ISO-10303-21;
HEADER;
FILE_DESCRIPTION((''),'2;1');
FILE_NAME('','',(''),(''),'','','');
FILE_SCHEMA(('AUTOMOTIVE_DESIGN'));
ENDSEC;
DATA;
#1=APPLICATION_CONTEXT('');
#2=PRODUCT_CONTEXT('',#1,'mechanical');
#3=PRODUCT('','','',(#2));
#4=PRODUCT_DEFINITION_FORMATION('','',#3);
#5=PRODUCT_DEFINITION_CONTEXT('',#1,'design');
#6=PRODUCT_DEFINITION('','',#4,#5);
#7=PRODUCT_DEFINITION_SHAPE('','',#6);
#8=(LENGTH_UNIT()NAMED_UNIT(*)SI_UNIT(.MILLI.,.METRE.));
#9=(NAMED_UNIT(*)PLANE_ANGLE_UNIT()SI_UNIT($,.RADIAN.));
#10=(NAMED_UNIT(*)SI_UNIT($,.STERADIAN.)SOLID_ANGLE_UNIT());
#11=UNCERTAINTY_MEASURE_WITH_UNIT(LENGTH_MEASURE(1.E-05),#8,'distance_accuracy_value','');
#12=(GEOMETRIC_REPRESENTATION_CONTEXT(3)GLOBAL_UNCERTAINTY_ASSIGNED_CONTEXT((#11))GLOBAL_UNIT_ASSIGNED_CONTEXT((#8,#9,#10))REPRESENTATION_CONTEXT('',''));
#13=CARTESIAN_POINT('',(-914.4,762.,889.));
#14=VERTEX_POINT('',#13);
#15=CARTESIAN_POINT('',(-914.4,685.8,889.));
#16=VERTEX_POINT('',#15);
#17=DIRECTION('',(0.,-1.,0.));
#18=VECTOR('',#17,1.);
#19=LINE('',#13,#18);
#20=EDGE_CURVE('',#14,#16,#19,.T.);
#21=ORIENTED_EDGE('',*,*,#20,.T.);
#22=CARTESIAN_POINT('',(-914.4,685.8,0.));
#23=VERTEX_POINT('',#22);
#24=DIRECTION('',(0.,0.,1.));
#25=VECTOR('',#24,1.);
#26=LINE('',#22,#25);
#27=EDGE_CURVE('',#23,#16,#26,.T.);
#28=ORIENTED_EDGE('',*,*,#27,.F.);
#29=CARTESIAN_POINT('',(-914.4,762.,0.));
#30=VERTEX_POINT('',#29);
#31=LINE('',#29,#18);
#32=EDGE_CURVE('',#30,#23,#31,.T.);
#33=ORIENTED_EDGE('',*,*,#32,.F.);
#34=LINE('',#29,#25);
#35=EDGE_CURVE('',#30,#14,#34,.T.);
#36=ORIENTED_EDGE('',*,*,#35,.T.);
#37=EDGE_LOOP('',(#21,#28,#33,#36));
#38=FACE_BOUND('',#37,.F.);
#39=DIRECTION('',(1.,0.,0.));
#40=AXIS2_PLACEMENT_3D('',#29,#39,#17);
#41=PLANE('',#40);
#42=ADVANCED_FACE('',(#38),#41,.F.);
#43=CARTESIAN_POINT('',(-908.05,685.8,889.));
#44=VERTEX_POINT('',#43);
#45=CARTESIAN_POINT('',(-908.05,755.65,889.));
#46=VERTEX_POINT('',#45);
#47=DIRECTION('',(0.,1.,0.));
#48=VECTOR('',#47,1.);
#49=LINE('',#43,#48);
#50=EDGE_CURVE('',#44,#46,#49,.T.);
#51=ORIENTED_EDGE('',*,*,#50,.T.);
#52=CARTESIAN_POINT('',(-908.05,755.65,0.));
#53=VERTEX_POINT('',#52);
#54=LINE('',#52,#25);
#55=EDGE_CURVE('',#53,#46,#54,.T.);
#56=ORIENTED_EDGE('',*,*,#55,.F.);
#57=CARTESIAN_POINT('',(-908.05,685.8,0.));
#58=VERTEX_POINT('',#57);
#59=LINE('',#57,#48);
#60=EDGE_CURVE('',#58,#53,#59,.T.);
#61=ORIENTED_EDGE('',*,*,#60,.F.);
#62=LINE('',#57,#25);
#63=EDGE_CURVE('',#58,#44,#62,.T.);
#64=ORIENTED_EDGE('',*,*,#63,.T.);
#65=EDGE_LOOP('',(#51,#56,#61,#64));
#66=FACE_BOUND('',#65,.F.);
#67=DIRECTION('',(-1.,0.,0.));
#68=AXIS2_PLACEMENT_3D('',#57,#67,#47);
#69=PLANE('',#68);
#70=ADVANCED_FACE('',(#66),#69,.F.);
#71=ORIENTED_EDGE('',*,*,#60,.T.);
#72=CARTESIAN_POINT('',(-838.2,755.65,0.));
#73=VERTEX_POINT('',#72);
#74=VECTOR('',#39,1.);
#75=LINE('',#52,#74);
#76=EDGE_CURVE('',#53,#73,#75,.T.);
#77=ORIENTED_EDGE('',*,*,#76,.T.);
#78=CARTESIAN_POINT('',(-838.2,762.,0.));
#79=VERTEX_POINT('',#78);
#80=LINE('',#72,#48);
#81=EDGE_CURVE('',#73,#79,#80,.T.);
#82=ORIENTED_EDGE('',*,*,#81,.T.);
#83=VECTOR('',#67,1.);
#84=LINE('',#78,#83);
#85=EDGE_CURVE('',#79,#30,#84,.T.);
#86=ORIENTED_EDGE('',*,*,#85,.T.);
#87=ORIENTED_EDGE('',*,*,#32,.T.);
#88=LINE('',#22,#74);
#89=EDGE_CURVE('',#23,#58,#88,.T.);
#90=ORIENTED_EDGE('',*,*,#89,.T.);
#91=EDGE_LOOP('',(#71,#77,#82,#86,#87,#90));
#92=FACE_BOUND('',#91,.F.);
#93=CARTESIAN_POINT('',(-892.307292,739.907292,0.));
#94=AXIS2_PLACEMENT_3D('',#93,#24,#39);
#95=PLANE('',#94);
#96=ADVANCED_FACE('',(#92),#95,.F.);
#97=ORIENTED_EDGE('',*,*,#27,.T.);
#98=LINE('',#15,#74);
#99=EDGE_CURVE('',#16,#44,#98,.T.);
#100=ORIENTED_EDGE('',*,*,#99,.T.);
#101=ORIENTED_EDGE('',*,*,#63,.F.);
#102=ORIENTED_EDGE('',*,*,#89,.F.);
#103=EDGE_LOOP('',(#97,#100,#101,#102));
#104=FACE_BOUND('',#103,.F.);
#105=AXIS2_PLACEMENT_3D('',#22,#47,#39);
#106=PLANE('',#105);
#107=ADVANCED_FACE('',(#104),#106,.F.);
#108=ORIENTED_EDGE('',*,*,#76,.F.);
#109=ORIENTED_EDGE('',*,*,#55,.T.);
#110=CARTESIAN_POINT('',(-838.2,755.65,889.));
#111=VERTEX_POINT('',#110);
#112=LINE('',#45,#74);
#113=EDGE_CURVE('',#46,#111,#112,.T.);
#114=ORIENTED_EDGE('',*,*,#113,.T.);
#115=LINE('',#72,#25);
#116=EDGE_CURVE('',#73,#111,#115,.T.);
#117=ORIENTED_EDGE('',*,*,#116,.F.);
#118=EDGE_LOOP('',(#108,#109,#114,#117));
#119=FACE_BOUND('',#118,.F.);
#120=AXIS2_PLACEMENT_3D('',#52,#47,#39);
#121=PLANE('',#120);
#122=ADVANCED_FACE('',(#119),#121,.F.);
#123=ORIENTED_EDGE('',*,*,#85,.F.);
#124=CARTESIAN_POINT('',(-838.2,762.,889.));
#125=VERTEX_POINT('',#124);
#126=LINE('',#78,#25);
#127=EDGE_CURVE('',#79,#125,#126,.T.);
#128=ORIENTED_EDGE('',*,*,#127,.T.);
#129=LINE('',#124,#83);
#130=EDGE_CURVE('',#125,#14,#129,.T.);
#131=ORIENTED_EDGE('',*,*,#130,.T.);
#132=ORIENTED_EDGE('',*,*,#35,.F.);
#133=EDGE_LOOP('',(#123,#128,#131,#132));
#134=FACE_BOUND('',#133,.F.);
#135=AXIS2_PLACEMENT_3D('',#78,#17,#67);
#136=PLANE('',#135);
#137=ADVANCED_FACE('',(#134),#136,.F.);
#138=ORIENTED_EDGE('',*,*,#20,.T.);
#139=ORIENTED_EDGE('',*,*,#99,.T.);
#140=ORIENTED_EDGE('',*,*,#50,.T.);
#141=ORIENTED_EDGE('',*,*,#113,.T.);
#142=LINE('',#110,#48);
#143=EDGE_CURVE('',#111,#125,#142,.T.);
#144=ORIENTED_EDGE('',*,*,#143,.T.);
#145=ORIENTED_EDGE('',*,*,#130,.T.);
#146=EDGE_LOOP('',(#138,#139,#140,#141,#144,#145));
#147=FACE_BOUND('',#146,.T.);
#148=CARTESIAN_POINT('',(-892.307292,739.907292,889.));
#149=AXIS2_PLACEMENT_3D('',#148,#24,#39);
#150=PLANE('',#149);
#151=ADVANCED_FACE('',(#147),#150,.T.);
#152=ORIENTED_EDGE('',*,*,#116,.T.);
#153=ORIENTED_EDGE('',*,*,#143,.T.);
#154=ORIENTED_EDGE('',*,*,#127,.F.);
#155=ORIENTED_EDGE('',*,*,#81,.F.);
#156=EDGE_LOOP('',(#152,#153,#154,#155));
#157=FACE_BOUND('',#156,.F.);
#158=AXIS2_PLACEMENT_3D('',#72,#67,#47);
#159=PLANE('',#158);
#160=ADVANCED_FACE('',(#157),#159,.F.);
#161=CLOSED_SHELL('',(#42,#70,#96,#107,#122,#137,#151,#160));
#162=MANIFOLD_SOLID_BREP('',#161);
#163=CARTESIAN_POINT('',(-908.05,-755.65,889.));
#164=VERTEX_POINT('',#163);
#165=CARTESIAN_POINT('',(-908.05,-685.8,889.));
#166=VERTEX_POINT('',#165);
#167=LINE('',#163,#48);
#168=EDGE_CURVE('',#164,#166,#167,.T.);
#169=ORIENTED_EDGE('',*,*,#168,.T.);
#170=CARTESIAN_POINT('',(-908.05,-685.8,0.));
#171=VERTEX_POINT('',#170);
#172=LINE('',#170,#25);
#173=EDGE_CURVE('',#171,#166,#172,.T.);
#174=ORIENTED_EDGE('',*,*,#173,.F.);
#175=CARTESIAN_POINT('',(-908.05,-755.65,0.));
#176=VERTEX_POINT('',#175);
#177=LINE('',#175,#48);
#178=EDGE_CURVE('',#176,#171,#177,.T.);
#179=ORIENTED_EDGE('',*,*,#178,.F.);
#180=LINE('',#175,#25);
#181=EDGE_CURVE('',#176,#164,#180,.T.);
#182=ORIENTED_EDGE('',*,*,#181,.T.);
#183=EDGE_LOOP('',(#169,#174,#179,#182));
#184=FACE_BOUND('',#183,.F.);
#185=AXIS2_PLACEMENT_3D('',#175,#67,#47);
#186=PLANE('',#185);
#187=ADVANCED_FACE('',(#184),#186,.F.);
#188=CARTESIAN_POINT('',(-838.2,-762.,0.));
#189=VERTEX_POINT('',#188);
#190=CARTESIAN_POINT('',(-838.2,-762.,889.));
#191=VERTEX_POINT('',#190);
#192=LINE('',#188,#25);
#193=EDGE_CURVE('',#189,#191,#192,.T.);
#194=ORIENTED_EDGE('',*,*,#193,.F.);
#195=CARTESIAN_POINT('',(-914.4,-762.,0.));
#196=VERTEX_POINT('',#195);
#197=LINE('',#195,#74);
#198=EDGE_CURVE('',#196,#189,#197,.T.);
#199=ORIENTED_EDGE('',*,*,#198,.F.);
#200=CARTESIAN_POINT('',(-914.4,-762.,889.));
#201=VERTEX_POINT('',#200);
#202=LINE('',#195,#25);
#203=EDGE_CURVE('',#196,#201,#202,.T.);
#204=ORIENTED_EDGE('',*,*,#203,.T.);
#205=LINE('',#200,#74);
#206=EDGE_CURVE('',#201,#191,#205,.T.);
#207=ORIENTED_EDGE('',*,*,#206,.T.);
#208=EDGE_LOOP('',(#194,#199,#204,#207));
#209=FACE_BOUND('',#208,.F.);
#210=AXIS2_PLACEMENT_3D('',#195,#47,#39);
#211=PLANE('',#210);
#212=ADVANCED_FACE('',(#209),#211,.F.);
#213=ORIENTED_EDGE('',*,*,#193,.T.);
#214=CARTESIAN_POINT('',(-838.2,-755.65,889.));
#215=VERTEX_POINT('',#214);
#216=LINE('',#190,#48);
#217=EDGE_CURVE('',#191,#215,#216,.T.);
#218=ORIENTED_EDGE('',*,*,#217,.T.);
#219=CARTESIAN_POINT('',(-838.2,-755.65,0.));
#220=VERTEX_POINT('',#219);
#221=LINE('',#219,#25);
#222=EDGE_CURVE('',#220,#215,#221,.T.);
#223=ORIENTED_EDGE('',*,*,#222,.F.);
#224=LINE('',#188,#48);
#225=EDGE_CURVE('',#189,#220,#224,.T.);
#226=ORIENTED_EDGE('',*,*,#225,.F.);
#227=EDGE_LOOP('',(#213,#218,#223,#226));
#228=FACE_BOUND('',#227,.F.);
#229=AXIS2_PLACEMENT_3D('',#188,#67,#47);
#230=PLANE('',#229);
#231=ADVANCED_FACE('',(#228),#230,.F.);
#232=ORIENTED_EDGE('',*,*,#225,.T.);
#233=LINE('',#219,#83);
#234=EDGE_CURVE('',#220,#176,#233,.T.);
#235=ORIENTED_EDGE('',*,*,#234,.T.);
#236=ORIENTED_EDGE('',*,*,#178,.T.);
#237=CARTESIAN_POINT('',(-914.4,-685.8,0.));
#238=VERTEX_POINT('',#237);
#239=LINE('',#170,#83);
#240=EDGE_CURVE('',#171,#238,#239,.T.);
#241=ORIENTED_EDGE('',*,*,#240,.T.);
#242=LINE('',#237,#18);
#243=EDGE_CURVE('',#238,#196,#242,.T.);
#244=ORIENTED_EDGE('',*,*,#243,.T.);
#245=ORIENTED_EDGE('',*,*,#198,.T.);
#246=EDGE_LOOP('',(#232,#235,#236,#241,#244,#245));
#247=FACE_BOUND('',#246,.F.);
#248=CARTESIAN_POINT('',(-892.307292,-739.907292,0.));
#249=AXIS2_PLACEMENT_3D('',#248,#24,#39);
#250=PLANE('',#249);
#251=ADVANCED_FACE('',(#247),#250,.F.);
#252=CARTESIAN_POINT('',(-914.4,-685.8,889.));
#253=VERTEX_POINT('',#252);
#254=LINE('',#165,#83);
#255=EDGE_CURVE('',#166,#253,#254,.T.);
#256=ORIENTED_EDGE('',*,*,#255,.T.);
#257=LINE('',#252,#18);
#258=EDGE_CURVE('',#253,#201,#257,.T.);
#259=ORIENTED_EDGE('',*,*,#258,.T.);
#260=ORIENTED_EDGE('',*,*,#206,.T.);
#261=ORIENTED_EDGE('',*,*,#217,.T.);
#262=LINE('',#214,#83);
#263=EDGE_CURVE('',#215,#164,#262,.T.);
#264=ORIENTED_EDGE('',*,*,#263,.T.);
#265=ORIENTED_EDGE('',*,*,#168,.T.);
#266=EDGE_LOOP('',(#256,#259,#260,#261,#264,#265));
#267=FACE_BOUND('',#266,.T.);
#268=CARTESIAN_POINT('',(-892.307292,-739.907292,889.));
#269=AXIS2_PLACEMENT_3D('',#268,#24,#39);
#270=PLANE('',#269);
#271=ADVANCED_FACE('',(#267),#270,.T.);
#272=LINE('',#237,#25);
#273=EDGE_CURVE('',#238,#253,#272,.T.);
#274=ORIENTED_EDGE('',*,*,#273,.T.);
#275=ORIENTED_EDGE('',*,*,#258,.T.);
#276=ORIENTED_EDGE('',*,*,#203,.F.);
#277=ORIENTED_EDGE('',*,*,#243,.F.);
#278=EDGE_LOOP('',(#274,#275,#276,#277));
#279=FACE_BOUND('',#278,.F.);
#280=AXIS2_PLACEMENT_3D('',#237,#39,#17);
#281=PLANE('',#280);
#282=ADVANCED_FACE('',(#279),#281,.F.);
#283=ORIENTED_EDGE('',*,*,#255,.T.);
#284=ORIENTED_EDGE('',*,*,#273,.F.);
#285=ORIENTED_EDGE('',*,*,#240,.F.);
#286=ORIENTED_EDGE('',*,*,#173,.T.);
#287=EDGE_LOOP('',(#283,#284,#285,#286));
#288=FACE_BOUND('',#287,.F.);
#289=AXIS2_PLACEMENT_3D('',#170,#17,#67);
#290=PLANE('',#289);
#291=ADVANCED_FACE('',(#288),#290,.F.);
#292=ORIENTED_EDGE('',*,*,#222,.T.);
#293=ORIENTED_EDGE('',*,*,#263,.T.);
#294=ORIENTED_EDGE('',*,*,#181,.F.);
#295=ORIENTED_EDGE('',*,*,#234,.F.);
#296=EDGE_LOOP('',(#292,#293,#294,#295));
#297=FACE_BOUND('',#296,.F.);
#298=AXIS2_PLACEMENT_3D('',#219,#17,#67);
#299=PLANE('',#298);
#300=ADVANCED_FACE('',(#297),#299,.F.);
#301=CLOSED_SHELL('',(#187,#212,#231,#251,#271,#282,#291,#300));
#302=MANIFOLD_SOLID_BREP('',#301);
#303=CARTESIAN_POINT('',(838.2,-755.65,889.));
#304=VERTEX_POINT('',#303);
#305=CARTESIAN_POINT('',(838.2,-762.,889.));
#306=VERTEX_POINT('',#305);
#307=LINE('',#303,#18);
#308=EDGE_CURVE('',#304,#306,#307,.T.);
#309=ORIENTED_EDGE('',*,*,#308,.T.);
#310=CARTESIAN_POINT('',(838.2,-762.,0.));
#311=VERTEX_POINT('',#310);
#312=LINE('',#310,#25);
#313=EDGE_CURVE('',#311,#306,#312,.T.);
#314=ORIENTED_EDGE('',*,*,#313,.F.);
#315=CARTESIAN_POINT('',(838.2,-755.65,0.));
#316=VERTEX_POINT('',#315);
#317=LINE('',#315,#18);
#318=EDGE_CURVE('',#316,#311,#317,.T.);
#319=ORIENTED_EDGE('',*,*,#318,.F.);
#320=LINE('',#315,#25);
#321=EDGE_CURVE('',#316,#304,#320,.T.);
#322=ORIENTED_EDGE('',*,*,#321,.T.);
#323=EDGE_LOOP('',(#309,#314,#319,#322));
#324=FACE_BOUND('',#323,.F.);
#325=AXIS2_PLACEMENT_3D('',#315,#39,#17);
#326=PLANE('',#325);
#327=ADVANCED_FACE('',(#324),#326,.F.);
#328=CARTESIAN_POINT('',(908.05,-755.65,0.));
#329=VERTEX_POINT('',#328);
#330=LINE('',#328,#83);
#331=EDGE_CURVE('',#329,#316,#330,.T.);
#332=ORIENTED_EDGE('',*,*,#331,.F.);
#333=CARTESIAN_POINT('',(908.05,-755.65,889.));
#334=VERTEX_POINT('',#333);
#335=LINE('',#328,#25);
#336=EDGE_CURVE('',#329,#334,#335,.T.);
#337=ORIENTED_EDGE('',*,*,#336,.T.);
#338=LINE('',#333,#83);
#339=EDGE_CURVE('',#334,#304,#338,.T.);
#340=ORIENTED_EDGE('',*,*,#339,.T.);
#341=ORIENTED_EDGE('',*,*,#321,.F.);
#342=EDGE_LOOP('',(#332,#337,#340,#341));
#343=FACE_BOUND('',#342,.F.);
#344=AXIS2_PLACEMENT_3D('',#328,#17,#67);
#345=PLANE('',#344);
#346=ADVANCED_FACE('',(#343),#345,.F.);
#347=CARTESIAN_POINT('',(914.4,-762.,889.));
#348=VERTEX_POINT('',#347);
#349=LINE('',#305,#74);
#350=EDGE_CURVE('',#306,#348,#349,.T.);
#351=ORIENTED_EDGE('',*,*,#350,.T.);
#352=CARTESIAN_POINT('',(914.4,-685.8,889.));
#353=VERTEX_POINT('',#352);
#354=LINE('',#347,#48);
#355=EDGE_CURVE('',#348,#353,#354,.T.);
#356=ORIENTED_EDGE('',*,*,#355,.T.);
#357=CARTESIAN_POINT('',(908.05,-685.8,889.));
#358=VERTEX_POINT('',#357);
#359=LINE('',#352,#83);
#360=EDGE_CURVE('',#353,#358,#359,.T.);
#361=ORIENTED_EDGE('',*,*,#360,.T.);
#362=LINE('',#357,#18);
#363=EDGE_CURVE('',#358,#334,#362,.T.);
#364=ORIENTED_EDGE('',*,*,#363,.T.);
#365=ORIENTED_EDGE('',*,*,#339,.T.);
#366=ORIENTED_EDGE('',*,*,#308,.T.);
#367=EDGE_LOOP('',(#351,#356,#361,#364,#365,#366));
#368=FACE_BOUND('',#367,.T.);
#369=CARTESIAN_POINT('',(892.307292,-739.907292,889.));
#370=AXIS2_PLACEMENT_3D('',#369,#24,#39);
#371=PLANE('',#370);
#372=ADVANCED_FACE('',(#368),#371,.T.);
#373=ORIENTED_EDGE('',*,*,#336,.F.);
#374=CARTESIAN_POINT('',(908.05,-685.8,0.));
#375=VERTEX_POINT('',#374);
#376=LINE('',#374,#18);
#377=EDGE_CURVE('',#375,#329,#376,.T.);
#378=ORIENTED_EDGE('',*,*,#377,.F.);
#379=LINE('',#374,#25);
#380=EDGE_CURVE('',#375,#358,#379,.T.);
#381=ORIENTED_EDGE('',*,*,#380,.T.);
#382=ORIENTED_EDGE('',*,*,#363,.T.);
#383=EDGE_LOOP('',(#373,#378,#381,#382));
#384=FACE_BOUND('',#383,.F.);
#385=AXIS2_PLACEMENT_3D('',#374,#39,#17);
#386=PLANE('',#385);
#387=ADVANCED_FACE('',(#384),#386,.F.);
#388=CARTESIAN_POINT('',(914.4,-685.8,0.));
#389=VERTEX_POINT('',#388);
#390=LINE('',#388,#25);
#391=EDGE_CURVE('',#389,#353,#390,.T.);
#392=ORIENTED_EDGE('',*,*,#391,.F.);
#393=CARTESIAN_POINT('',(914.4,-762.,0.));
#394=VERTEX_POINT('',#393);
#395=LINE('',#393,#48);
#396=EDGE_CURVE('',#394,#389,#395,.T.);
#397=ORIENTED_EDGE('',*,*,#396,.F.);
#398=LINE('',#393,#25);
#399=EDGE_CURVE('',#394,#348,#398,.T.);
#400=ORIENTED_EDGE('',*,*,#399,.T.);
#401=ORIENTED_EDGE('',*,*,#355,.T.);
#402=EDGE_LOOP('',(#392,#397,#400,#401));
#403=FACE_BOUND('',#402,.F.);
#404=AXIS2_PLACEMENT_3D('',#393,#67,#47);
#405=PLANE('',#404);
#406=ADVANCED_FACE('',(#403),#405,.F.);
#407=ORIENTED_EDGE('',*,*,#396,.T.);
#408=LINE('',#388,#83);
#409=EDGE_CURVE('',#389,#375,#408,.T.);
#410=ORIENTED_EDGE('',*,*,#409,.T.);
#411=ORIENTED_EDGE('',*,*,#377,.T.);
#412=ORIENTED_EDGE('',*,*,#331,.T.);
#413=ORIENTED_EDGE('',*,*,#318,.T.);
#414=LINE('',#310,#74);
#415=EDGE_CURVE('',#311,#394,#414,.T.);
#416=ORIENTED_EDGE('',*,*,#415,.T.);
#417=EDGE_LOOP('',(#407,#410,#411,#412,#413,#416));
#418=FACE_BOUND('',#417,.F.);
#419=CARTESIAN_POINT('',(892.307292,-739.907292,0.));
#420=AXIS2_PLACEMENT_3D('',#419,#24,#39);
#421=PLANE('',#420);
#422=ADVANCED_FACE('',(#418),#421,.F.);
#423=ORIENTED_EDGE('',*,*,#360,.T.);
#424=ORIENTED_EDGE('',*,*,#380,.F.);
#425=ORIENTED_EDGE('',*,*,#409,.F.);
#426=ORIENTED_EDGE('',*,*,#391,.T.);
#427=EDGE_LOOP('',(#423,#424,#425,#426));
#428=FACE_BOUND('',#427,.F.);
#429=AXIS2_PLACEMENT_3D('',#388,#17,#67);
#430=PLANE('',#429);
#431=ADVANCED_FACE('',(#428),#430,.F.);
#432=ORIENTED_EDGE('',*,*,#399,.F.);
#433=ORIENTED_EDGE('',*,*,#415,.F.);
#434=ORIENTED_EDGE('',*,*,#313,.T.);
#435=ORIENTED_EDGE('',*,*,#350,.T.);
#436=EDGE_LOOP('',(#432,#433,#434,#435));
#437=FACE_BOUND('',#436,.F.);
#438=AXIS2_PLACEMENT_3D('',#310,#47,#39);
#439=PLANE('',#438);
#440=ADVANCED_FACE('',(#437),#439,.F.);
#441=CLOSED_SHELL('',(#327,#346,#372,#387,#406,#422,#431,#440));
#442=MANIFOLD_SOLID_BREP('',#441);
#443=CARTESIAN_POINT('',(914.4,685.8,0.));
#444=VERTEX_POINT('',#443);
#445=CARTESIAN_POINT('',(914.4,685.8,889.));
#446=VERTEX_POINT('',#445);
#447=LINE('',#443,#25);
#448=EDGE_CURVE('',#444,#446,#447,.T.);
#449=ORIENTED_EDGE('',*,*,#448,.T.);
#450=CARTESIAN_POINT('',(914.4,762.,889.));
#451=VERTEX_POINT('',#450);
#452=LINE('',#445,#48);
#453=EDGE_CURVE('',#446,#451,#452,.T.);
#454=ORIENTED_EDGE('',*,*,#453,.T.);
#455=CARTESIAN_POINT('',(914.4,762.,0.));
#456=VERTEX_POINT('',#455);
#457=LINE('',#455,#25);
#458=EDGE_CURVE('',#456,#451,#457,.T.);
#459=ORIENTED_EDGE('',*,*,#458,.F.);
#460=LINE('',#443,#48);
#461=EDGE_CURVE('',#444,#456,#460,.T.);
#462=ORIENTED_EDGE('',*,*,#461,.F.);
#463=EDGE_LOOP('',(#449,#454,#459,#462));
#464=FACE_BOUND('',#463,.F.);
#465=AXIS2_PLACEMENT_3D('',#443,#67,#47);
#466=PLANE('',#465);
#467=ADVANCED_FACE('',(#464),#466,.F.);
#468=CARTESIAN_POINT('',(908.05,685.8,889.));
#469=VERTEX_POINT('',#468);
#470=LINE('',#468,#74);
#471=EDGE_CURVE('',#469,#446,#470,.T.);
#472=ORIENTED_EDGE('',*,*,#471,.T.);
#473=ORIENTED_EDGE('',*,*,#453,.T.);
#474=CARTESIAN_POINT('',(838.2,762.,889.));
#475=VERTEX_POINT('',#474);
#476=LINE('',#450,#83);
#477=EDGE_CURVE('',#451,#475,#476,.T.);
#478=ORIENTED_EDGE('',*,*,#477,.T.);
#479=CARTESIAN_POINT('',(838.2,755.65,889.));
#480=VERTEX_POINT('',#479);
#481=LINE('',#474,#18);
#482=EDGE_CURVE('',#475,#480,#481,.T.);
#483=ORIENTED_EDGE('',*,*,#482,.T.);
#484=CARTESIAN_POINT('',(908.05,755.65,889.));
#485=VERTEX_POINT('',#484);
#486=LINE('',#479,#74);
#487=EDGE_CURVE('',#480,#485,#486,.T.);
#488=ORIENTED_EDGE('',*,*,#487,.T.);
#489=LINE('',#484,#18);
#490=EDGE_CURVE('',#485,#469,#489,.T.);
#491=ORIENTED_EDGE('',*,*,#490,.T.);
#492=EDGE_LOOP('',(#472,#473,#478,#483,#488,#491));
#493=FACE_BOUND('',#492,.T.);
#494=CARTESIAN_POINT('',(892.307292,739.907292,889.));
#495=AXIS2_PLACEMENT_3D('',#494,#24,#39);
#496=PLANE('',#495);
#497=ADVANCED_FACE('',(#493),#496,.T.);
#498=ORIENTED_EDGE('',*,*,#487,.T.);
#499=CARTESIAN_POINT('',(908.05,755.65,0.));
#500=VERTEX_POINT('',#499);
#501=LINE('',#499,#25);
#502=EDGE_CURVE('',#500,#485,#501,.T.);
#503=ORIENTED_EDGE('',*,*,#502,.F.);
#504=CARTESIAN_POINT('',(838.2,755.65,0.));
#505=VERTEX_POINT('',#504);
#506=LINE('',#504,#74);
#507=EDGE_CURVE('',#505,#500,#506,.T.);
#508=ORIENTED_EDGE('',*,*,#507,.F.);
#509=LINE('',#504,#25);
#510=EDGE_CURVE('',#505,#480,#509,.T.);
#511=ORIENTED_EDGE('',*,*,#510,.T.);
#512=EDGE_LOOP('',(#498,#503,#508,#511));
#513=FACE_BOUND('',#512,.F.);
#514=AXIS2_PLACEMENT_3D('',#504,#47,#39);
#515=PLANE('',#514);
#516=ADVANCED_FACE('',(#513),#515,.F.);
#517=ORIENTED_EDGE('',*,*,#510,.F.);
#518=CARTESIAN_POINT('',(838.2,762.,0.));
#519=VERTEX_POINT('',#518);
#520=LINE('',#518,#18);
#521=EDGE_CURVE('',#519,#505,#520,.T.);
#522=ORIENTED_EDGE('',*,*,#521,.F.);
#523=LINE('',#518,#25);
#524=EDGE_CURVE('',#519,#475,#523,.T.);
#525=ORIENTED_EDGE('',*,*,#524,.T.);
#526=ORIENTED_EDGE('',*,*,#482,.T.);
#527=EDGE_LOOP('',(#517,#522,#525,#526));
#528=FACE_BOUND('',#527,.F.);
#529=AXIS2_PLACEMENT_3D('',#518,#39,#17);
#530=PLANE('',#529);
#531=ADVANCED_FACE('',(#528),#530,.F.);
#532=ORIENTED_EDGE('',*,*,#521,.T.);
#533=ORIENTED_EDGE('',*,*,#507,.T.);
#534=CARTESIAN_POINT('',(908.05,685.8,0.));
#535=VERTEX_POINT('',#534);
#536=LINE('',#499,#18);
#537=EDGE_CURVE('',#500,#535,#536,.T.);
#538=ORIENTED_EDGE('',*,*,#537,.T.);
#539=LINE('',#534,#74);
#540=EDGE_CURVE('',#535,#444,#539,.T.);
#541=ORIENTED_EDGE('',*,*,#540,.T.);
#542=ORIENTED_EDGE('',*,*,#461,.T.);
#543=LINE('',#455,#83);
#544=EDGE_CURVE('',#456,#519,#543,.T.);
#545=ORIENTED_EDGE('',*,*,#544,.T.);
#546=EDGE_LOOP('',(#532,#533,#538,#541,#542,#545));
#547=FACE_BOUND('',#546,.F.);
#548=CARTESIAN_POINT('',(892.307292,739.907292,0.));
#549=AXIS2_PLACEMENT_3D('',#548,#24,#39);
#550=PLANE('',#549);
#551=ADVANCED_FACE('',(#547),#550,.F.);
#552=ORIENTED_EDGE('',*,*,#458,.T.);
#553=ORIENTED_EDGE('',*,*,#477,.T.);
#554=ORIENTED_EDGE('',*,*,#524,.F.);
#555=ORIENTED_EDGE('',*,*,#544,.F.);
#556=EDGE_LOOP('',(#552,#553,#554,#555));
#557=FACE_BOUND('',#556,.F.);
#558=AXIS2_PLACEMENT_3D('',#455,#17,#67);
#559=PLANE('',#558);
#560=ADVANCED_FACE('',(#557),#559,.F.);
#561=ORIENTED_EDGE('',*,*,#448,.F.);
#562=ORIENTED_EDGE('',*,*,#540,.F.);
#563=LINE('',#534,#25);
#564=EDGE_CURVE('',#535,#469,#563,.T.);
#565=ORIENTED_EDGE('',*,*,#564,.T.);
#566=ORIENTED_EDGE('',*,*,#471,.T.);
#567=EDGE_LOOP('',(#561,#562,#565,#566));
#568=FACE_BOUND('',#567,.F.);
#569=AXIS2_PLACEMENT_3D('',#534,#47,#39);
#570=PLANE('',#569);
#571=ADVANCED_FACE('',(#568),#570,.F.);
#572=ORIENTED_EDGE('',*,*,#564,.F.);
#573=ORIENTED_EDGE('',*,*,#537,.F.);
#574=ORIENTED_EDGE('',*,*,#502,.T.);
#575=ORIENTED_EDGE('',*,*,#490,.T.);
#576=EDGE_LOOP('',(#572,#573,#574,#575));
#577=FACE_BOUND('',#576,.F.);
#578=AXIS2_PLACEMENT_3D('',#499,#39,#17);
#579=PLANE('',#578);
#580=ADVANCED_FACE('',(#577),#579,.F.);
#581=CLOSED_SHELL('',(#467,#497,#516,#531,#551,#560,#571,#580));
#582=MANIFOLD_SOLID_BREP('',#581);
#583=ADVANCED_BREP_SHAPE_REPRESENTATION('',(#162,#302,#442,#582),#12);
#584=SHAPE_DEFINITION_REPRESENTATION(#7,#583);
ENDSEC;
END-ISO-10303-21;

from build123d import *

# Parameters (mm, degrees)
F1_DEPTH = 889


with BuildPart() as f1:
    # F0 (on Top) → F1 (new body)
    with BuildSketch(Plane.XY):
        Polygon((-914.4, -685.8), (-914.4, -762), (-838.2, -762), (-838.2, -755.65), (-908.05, -755.65), (-908.05, -685.8), align=None)
        Polygon((-914.4, 762), (-914.4, 685.8), (-908.05, 685.8), (-908.05, 755.65), (-838.2, 755.65), (-838.2, 762), align=None)
        Polygon((914.4, -762), (914.4, -685.8), (908.05, -685.8), (908.05, -755.65), (838.2, -755.65), (838.2, -762), align=None)
        Polygon((908.05, 685.8), (914.4, 685.8), (914.4, 762), (838.2, 762), (838.2, 755.65), (908.05, 755.65), align=None)
    extrude(amount=F1_DEPTH)


solid = f1.part
